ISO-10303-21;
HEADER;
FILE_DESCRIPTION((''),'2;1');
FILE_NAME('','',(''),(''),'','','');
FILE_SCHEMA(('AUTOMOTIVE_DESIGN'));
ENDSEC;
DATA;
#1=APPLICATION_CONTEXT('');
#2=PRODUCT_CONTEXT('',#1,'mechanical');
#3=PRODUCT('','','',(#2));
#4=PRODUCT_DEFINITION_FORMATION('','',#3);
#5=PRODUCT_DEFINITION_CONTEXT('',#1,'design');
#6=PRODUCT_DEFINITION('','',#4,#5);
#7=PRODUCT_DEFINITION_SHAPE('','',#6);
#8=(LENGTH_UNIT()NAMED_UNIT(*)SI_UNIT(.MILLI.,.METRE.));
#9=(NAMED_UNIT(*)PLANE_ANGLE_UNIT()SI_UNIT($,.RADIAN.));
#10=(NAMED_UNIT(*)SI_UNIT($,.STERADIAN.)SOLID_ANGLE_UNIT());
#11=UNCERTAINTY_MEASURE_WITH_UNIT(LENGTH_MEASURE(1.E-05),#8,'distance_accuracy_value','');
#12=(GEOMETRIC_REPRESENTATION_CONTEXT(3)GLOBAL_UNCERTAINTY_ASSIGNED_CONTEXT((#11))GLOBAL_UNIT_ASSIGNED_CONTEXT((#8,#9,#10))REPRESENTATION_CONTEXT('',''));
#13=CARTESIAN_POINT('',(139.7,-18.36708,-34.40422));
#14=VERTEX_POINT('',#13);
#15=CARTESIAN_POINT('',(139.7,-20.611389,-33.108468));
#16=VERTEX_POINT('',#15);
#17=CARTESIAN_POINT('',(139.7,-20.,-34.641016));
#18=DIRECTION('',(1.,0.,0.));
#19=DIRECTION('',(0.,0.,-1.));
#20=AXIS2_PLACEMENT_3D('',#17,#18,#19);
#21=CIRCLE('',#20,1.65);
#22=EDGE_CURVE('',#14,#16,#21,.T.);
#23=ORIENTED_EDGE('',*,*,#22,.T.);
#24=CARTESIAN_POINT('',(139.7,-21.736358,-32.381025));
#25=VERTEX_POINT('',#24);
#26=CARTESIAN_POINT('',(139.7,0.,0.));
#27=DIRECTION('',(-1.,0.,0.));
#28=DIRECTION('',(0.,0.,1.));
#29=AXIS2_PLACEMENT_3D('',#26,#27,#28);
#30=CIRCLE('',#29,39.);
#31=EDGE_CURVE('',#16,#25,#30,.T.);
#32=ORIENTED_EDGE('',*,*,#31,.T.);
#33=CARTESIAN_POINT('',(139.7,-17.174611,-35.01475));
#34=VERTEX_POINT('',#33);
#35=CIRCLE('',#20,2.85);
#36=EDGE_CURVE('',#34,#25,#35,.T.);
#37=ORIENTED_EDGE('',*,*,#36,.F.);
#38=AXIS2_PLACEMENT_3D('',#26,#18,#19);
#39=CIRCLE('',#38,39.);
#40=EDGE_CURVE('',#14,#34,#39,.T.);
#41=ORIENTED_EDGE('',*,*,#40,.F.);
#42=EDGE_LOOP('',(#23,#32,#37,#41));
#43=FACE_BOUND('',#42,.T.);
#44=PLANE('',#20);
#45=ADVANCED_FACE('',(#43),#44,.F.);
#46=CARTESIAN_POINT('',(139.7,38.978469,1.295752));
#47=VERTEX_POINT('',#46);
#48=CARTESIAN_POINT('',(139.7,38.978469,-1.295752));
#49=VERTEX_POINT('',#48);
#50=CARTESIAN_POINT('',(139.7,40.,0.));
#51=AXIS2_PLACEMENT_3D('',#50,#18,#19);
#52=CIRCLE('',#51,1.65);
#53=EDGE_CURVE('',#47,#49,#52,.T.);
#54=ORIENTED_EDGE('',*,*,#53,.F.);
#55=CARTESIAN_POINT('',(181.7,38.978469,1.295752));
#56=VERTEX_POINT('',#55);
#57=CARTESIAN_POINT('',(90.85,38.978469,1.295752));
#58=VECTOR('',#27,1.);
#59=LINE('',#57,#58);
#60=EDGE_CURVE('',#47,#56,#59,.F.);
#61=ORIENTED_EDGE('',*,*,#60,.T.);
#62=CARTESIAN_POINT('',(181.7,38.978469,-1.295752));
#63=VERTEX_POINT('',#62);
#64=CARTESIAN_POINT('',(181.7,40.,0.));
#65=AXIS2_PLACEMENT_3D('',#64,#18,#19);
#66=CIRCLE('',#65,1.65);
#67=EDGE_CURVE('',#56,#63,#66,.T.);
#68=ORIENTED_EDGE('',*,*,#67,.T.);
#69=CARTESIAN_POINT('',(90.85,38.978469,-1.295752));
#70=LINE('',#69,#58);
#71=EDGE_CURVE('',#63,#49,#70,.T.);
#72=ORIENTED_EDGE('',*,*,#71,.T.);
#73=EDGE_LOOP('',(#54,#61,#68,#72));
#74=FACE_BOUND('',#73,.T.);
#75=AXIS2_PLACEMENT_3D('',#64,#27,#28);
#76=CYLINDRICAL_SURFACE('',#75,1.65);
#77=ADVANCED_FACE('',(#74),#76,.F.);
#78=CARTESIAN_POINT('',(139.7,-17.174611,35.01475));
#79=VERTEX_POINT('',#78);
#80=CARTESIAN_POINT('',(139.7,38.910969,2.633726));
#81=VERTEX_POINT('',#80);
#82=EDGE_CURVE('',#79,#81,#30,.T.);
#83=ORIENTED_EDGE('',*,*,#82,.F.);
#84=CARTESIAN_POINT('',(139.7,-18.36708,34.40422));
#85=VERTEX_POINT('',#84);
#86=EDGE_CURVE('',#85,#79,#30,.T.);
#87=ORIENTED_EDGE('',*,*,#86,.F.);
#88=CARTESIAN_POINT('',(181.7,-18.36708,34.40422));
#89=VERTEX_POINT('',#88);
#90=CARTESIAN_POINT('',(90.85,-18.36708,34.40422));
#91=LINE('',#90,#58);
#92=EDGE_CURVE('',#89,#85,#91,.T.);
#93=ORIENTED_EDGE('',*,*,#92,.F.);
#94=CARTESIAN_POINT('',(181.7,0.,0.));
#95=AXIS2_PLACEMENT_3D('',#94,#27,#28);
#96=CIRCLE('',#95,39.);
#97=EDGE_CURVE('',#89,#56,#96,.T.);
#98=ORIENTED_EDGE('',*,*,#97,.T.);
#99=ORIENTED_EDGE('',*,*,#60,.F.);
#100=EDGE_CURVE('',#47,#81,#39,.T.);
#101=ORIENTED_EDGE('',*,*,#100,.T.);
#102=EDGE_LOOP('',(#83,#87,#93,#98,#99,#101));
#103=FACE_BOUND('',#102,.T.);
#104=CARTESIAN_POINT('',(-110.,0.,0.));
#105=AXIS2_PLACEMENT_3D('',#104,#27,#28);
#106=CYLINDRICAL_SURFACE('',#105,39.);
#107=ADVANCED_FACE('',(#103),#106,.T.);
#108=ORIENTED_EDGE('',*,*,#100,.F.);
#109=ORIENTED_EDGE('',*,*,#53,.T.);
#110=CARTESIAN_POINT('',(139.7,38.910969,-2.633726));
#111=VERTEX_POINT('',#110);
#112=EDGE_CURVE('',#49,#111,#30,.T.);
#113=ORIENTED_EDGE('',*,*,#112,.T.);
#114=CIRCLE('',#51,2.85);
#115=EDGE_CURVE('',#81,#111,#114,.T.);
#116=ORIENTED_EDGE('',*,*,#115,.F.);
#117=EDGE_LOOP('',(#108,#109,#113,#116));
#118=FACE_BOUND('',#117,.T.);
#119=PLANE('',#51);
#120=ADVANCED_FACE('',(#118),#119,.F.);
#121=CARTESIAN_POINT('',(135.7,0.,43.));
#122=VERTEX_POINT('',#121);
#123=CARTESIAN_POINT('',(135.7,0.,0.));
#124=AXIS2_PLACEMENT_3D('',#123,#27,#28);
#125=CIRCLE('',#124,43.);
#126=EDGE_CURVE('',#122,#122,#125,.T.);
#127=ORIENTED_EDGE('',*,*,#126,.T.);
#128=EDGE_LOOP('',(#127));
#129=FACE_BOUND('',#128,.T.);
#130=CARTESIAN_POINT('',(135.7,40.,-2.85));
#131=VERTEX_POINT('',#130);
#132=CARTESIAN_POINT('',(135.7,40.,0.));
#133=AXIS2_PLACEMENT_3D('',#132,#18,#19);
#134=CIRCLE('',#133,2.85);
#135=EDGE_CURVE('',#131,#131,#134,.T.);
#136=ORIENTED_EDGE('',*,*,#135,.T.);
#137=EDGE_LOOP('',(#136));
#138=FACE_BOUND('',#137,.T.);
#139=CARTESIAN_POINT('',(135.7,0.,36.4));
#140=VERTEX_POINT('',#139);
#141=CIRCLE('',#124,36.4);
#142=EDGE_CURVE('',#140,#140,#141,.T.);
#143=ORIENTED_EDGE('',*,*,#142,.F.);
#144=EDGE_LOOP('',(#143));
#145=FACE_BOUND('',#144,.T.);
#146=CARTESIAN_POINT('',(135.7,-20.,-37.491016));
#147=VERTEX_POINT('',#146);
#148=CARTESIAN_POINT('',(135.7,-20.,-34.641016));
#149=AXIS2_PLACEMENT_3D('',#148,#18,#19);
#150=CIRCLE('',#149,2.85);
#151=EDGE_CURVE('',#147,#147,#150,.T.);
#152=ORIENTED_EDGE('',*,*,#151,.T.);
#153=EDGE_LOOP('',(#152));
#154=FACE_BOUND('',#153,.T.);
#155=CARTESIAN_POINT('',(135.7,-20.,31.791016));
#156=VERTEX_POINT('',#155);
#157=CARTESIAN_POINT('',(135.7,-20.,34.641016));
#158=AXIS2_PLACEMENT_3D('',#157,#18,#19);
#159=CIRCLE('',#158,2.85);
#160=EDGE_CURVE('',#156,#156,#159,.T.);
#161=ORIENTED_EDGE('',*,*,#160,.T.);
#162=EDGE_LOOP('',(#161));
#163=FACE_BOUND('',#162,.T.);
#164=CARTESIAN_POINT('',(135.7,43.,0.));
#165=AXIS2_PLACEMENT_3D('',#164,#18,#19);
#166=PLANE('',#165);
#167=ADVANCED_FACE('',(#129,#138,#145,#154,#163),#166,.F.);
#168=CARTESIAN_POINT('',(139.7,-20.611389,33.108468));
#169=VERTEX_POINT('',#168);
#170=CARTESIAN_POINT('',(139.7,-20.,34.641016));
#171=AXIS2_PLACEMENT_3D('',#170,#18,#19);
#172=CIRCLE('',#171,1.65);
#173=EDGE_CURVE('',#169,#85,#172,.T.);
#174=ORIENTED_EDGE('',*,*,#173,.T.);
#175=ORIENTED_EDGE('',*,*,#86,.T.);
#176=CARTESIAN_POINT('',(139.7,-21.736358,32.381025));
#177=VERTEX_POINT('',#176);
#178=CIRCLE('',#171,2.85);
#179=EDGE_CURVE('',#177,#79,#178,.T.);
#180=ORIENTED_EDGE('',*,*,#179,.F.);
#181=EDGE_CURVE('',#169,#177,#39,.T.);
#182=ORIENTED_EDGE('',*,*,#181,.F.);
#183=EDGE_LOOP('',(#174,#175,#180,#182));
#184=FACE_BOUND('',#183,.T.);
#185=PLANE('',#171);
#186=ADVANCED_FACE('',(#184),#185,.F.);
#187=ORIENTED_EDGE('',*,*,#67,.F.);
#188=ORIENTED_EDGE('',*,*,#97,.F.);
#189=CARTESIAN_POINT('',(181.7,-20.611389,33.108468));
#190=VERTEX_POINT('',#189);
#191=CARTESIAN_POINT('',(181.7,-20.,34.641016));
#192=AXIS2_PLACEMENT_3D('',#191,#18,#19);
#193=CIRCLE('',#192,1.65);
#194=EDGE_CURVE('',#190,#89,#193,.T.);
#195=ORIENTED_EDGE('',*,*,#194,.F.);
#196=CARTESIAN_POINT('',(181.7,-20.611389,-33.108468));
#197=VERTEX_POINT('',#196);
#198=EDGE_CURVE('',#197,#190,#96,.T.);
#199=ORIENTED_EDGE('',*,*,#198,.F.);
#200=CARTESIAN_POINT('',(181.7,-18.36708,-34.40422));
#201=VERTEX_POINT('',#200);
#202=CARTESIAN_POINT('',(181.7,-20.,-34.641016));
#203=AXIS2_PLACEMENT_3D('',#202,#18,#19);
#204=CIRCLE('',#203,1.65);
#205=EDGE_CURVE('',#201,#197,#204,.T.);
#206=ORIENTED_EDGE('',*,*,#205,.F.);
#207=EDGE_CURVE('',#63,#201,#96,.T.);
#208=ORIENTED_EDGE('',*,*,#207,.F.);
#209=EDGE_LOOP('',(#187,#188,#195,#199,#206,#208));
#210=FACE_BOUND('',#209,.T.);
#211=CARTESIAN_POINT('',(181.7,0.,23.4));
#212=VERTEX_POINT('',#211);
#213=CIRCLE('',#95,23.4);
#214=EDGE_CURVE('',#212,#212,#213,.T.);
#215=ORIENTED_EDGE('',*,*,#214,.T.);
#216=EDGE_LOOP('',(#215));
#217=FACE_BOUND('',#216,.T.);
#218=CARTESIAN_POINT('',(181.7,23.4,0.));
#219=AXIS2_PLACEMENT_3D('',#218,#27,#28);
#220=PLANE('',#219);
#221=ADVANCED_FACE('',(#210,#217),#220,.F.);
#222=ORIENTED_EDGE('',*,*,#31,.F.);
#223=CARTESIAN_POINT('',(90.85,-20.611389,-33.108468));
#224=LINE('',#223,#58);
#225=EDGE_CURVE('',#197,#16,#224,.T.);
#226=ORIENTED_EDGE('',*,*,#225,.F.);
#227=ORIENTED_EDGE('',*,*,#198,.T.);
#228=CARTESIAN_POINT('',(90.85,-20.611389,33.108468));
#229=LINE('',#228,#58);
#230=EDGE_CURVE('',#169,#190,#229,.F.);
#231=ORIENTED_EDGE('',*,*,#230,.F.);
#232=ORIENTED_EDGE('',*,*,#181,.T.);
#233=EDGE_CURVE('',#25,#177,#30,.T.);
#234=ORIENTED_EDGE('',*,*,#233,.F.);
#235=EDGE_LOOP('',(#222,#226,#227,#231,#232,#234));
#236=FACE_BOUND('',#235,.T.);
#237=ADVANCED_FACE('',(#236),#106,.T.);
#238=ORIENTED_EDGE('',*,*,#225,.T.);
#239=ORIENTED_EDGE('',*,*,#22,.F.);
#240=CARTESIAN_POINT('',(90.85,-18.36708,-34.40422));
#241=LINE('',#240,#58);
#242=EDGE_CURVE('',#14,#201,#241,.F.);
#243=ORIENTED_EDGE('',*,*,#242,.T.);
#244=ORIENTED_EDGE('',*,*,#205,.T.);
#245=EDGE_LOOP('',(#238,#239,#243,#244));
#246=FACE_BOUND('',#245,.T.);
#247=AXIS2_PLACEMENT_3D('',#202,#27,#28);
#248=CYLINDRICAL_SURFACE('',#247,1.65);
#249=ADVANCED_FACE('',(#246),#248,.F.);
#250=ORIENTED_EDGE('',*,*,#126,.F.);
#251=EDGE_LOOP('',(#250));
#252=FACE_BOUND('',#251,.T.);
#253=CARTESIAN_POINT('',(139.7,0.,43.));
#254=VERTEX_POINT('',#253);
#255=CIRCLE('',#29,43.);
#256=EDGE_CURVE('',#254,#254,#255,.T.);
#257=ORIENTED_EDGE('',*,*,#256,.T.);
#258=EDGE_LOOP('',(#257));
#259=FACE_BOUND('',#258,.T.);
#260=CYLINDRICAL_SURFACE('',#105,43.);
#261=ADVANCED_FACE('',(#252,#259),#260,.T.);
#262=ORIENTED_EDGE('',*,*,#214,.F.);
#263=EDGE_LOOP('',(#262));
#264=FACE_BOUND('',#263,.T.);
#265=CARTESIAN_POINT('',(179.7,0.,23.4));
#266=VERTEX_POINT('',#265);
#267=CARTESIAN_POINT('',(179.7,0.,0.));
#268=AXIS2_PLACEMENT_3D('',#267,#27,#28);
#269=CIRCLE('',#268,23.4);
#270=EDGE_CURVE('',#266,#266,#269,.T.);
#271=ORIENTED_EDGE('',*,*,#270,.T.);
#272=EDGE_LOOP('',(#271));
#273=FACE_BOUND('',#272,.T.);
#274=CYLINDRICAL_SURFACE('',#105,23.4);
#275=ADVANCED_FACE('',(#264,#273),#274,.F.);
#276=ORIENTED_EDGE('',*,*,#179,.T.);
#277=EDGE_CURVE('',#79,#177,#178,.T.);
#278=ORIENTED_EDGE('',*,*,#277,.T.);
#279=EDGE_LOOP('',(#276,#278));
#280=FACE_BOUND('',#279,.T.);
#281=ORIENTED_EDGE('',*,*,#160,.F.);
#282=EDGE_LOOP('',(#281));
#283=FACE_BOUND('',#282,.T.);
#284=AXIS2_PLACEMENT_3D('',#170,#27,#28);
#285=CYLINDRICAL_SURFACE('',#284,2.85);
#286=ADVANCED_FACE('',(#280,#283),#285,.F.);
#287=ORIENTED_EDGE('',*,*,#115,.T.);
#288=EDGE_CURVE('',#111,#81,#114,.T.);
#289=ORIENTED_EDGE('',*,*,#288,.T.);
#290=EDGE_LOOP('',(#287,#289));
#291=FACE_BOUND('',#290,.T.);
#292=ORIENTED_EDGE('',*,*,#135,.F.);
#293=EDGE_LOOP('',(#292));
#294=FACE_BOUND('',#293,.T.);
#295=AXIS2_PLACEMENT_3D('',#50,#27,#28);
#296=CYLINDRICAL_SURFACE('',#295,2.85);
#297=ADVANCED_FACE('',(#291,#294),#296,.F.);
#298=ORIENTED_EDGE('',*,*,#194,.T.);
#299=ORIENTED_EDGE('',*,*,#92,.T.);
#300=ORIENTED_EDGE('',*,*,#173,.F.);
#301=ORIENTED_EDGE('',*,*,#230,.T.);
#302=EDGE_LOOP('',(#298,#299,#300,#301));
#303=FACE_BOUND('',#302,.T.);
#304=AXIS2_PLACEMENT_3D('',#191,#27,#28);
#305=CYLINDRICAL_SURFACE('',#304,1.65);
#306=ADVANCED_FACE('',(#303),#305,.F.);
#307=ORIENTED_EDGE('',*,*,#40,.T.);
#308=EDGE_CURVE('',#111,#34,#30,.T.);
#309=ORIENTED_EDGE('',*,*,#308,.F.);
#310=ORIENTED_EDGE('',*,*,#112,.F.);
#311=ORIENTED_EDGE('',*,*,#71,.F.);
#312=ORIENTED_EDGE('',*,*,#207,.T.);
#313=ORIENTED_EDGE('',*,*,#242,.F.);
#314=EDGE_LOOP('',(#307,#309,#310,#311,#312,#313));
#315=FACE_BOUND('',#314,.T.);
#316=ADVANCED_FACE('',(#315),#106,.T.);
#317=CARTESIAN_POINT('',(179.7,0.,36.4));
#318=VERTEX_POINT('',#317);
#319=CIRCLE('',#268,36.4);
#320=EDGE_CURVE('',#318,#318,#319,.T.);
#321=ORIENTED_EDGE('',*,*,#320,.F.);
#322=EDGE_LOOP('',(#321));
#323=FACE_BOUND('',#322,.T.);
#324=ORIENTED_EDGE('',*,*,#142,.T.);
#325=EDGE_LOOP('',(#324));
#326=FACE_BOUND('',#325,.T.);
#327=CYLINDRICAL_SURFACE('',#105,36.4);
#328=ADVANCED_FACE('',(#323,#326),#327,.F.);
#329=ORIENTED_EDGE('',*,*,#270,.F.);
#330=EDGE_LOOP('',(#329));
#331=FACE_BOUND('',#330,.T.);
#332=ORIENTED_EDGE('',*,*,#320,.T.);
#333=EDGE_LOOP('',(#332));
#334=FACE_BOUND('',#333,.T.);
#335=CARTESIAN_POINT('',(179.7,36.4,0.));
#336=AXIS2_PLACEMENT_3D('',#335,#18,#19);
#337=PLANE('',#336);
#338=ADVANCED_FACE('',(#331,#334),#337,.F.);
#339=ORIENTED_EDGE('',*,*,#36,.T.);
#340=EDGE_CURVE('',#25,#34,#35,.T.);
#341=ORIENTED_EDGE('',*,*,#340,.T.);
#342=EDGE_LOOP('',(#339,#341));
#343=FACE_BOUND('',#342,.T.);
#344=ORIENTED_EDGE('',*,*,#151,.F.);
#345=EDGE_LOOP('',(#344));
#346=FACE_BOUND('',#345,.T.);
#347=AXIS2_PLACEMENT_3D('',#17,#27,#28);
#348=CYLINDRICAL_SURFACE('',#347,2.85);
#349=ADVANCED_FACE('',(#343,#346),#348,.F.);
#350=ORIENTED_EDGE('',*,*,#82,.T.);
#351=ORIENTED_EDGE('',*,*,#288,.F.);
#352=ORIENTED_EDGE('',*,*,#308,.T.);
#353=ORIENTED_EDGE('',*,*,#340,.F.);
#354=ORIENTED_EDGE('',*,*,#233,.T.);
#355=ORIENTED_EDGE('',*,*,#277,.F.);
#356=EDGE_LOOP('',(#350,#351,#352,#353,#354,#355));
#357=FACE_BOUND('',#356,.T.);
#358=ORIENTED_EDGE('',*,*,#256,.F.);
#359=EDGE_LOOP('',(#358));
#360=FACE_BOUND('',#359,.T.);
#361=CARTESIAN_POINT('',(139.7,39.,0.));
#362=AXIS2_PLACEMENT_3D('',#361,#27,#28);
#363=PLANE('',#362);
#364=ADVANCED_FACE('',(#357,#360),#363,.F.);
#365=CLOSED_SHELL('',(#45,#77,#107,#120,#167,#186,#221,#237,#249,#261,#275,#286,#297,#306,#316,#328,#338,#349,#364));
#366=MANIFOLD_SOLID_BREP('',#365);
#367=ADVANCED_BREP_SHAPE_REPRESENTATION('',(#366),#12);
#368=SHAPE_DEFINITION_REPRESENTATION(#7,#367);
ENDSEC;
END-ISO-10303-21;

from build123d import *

# Parameters (mm, degrees)
AXIAL_HOLES_DEPTH      = 192.606080279
AXIAL_HOLES_DEPTH_BACK = 192.606080279
SKETCH2_R              = 1.65
CUT_EXTRUDE2_START     = 135.7
SKETCH3_R              = 2.85
CUT_EXTRUDE2_DEPTH     = 4


with BuildPart() as part:
    # Axial profile (mm) → Full revolution (revolve)
    with BuildSketch(Plane.XY, mode=Mode.PRIVATE) as full_revolution_sk:
        Polygon((135.7, 36.4), (179.7, 36.4), (179.7, 23.4), (181.7, 23.4), (181.7, 39), (139.7, 39), (139.7, 43), (135.7, 43), align=None)
    revolve(full_revolution_sk.sketch.rotate(Axis((-110, 0, 0), (1, 0, 0)), 90), axis=Axis((-110, 0, 0), (1, 0, 0)))

    # Sketch2 → Axial holes (cut, two sides: drawn at the far end of the back side and taken through both)
    with BuildSketch(Plane(origin=(0, 0, 0), x_dir=(0, 0, -1), z_dir=(1, 0, 0)).offset(-AXIAL_HOLES_DEPTH_BACK)):
        with Locations(Location((0, 40, 0), (0, 0, 218.251159994))):
            Circle(SKETCH2_R)
        with Locations(Location((-34.641016151, -20, 0), (0, 0, 81.748840006))):
            Circle(SKETCH2_R)
        with Locations(Location((34.641016151, -20, 0), (0, 0, 201.748840006))):
            Circle(SKETCH2_R)
    extrude(amount=AXIAL_HOLES_DEPTH + AXIAL_HOLES_DEPTH_BACK, mode=Mode.SUBTRACT)

    # Sketch3 → Cut-Extrude2 (cut)
    with BuildSketch(Plane(origin=(0, 0, 0), x_dir=(0, 0, -1), z_dir=(1, 0, 0)).offset(CUT_EXTRUDE2_START)):
        with Locations(Location((0, 40, 0), (0, 0, 202.464828441))):
            Circle(SKETCH3_R)
        with Locations(Location((-34.641016151, -20, 0), (0, 0, 97.535171559))):
            Circle(SKETCH3_R)
        with Locations(Location((34.641016151, -20, 0), (0, 0, 217.535171559))):
            Circle(SKETCH3_R)
    extrude(amount=CUT_EXTRUDE2_DEPTH, mode=Mode.SUBTRACT)


solid = part.part
